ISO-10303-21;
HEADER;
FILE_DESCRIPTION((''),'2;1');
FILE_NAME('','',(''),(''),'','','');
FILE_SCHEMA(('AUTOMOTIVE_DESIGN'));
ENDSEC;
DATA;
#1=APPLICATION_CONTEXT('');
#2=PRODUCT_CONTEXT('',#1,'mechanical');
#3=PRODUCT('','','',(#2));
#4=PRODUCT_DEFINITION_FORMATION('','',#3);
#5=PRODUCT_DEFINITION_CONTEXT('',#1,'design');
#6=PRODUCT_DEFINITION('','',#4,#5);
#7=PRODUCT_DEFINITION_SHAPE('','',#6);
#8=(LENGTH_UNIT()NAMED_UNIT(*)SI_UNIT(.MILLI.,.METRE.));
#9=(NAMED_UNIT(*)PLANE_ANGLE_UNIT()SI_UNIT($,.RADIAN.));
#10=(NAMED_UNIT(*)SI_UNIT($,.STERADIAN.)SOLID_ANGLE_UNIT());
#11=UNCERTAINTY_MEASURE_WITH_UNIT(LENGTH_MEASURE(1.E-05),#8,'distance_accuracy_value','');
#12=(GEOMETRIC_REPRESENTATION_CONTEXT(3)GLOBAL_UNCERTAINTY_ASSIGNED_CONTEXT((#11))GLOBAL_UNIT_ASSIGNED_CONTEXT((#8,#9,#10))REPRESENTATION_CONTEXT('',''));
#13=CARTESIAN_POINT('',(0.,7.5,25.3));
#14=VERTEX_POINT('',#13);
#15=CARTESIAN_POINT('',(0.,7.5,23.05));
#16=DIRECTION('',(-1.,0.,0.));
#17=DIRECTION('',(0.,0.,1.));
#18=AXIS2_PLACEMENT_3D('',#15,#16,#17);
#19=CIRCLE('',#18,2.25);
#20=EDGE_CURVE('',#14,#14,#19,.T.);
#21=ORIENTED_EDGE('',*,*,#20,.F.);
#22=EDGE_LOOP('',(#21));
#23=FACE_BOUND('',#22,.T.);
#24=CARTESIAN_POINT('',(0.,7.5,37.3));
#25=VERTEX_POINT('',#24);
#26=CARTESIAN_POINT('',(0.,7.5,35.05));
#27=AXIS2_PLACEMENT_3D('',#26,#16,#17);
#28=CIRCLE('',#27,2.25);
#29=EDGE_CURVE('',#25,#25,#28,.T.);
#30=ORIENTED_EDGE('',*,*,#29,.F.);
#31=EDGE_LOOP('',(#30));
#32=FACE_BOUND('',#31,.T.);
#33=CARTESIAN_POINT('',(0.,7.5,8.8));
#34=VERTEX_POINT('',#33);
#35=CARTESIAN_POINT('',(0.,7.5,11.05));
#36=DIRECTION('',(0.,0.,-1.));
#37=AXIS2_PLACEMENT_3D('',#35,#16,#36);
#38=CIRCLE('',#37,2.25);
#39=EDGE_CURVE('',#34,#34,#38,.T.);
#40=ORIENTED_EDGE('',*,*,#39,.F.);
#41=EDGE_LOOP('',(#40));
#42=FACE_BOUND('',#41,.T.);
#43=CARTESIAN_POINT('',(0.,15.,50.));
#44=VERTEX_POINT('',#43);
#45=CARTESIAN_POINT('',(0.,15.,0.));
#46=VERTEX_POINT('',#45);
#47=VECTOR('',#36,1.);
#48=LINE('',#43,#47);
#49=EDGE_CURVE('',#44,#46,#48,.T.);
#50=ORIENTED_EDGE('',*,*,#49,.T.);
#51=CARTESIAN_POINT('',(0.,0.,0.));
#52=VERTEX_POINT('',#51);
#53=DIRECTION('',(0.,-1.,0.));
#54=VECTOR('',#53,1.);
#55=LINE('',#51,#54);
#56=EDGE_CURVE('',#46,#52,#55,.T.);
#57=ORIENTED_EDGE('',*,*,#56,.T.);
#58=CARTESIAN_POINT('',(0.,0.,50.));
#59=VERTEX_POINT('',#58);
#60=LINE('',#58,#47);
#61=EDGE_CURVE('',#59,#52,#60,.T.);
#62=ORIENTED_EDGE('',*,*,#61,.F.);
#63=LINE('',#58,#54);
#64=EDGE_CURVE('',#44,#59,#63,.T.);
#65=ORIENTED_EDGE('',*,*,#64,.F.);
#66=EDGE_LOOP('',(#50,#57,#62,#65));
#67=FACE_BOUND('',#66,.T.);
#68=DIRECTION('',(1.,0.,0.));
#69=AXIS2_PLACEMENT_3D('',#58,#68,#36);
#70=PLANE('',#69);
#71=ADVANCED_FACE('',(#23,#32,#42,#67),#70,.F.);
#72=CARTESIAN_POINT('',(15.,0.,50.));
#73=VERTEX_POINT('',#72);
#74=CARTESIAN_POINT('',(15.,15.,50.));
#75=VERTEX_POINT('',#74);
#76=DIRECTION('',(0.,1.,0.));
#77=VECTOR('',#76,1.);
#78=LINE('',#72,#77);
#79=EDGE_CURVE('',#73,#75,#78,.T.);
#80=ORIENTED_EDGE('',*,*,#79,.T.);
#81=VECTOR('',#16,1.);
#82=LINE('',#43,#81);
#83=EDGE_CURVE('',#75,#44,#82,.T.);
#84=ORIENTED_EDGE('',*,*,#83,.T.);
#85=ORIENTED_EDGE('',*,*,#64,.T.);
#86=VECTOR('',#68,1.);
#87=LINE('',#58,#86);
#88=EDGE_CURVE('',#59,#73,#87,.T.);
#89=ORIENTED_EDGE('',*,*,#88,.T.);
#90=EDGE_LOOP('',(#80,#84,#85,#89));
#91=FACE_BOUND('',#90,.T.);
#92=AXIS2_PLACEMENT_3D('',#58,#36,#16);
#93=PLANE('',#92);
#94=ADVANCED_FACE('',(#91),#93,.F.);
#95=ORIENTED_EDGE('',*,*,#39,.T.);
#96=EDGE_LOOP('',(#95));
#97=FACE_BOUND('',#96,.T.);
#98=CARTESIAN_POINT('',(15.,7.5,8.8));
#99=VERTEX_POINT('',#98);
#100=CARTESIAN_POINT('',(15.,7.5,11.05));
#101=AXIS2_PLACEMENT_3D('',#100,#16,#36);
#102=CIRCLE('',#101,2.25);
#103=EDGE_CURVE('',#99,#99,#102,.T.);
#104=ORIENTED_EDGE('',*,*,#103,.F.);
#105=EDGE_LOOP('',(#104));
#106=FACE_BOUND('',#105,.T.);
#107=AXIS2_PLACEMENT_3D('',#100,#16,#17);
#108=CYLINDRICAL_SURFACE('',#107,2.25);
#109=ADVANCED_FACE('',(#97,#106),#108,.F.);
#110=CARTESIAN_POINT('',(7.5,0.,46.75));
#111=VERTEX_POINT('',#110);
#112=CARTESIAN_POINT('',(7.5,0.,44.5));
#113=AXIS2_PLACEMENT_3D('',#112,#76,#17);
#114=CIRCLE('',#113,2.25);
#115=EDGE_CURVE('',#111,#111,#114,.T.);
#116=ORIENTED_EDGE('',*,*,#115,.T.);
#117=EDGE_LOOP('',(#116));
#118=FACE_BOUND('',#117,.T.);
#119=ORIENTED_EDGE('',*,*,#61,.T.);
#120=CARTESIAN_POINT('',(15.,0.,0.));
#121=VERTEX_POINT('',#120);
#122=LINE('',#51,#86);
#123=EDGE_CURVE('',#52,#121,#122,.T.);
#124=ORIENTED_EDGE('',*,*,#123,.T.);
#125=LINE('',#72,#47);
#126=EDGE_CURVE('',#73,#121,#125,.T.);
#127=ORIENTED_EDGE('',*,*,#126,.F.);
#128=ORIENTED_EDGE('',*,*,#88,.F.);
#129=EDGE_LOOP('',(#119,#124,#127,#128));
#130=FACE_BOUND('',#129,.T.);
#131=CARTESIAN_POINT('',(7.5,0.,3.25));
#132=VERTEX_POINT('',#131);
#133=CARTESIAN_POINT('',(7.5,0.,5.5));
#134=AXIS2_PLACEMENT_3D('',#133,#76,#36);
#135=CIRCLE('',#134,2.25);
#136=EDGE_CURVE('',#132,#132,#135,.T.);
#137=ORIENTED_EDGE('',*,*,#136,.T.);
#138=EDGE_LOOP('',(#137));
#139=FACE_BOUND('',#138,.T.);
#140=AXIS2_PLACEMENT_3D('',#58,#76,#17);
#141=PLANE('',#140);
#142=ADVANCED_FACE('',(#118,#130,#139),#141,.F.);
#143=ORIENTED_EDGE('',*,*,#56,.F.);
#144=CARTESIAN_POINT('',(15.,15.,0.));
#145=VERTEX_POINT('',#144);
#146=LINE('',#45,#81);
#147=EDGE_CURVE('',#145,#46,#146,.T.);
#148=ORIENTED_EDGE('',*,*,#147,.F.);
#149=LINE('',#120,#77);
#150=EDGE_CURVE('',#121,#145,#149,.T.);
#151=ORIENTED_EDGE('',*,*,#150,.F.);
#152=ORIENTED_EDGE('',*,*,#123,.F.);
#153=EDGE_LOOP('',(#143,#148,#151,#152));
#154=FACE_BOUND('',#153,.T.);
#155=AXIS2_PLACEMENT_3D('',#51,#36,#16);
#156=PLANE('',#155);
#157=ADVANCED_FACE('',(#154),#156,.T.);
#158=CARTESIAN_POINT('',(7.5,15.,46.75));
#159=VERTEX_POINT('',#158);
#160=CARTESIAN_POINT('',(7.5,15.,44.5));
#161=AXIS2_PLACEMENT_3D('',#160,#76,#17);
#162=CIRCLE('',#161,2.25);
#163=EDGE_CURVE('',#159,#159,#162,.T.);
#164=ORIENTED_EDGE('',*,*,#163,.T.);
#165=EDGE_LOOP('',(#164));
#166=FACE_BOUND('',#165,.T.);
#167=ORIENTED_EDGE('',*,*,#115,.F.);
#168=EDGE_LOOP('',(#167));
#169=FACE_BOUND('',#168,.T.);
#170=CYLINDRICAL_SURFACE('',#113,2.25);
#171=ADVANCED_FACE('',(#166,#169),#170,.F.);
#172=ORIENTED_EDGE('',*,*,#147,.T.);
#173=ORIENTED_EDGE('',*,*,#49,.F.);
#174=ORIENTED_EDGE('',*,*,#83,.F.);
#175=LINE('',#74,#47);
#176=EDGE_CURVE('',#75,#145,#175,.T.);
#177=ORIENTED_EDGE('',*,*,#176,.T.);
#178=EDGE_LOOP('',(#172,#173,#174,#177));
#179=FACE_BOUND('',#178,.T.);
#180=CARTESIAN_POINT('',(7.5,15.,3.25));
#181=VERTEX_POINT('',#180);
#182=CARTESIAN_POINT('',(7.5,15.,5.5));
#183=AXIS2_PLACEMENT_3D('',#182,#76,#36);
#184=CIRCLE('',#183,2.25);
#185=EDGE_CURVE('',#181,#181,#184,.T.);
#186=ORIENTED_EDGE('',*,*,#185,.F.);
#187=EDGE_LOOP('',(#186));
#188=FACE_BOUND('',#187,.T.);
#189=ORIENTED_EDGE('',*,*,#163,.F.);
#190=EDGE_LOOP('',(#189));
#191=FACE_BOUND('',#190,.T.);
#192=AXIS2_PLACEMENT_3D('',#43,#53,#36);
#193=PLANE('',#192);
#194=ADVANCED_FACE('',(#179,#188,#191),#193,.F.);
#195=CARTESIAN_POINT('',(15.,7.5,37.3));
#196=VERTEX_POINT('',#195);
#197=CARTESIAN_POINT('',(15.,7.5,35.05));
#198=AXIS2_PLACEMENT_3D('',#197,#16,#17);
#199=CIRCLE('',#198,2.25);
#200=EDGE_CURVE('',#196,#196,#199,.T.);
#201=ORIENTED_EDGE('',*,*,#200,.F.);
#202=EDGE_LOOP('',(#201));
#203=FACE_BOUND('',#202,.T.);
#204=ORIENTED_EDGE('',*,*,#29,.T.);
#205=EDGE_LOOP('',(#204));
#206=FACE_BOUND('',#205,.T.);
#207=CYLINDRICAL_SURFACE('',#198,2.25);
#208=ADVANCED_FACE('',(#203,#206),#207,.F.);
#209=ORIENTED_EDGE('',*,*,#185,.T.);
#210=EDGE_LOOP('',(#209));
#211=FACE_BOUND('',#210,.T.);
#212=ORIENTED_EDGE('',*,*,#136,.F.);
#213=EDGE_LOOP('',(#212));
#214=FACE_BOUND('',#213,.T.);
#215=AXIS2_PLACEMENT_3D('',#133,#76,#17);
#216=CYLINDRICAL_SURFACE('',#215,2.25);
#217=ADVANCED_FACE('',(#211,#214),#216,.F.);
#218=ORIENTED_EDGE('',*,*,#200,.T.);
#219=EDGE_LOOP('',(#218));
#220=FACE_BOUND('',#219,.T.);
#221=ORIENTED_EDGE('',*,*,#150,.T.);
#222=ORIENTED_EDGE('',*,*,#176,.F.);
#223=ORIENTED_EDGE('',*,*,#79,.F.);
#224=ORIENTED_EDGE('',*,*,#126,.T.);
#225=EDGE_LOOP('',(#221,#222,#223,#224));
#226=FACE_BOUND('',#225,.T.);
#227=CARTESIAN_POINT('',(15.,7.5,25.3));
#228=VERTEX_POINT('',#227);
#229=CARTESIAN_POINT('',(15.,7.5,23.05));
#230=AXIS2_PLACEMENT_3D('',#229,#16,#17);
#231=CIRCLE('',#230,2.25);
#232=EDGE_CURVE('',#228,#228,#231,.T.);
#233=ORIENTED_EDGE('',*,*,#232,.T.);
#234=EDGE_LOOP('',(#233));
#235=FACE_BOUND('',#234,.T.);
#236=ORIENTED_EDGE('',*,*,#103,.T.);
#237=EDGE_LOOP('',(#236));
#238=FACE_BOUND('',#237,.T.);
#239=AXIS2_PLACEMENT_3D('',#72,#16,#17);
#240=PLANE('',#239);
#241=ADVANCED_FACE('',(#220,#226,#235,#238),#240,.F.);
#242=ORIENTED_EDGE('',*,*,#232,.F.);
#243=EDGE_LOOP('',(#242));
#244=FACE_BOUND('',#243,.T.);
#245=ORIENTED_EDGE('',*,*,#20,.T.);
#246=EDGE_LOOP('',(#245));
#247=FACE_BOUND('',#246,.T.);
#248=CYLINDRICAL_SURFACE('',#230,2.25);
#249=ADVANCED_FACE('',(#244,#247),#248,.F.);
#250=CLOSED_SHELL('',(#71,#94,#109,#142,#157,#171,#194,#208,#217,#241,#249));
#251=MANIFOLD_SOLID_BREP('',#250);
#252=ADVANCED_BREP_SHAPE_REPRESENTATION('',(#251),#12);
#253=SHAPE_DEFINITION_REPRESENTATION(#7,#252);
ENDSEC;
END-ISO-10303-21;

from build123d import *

# Parameters (mm, degrees)
ESQUISSE1_W             = 15
ESQUISSE1_H             = 15
BOSS_EXTRU_1_DEPTH      = 50
ESQUISSE2_R             = 2.25
ENL_V_MAT_EXTRU_1_DEPTH = 55.313902456
ESQUISSE3_R             = 2.25
ENL_V_MAT_EXTRU_2_DEPTH = 55.313902456


with BuildPart() as part:
    # Esquisse1 → Boss.-Extru.1 (new body)
    with BuildSketch(Plane.XY):
        with Locations((7.5, 7.5)):
            Rectangle(ESQUISSE1_W, ESQUISSE1_H)
    extrude(amount=BOSS_EXTRU_1_DEPTH)

    # Esquisse2 → Enlèv. mat.-Extru.1 (cut, through all)
    with BuildSketch(Plane(origin=(0, 15, 0), x_dir=(1, 0, 0), z_dir=(0, 1, 0))):
        with Locations(Location((7.5, -44.5, 0), (0, 0, 270))):
            Circle(ESQUISSE2_R)
        with Locations(Location((7.5, -5.5, 0), (0, 0, 90))):
            Circle(ESQUISSE2_R)
    extrude(amount=-ENL_V_MAT_EXTRU_1_DEPTH, mode=Mode.SUBTRACT)

    # Esquisse3 → Enlèv. mat.-Extru.2 (cut, through all)
    with BuildSketch(Plane.ZY):
        with Locations((23.05, 7.5)):
            Circle(ESQUISSE3_R)
        with Locations((35.05, 7.5)):
            Circle(ESQUISSE3_R)
        with Locations(Location((11.05, 7.5, 0), (0, 0, 180))):
            Circle(ESQUISSE3_R)
    extrude(amount=-ENL_V_MAT_EXTRU_2_DEPTH, mode=Mode.SUBTRACT)


solid = part.part
